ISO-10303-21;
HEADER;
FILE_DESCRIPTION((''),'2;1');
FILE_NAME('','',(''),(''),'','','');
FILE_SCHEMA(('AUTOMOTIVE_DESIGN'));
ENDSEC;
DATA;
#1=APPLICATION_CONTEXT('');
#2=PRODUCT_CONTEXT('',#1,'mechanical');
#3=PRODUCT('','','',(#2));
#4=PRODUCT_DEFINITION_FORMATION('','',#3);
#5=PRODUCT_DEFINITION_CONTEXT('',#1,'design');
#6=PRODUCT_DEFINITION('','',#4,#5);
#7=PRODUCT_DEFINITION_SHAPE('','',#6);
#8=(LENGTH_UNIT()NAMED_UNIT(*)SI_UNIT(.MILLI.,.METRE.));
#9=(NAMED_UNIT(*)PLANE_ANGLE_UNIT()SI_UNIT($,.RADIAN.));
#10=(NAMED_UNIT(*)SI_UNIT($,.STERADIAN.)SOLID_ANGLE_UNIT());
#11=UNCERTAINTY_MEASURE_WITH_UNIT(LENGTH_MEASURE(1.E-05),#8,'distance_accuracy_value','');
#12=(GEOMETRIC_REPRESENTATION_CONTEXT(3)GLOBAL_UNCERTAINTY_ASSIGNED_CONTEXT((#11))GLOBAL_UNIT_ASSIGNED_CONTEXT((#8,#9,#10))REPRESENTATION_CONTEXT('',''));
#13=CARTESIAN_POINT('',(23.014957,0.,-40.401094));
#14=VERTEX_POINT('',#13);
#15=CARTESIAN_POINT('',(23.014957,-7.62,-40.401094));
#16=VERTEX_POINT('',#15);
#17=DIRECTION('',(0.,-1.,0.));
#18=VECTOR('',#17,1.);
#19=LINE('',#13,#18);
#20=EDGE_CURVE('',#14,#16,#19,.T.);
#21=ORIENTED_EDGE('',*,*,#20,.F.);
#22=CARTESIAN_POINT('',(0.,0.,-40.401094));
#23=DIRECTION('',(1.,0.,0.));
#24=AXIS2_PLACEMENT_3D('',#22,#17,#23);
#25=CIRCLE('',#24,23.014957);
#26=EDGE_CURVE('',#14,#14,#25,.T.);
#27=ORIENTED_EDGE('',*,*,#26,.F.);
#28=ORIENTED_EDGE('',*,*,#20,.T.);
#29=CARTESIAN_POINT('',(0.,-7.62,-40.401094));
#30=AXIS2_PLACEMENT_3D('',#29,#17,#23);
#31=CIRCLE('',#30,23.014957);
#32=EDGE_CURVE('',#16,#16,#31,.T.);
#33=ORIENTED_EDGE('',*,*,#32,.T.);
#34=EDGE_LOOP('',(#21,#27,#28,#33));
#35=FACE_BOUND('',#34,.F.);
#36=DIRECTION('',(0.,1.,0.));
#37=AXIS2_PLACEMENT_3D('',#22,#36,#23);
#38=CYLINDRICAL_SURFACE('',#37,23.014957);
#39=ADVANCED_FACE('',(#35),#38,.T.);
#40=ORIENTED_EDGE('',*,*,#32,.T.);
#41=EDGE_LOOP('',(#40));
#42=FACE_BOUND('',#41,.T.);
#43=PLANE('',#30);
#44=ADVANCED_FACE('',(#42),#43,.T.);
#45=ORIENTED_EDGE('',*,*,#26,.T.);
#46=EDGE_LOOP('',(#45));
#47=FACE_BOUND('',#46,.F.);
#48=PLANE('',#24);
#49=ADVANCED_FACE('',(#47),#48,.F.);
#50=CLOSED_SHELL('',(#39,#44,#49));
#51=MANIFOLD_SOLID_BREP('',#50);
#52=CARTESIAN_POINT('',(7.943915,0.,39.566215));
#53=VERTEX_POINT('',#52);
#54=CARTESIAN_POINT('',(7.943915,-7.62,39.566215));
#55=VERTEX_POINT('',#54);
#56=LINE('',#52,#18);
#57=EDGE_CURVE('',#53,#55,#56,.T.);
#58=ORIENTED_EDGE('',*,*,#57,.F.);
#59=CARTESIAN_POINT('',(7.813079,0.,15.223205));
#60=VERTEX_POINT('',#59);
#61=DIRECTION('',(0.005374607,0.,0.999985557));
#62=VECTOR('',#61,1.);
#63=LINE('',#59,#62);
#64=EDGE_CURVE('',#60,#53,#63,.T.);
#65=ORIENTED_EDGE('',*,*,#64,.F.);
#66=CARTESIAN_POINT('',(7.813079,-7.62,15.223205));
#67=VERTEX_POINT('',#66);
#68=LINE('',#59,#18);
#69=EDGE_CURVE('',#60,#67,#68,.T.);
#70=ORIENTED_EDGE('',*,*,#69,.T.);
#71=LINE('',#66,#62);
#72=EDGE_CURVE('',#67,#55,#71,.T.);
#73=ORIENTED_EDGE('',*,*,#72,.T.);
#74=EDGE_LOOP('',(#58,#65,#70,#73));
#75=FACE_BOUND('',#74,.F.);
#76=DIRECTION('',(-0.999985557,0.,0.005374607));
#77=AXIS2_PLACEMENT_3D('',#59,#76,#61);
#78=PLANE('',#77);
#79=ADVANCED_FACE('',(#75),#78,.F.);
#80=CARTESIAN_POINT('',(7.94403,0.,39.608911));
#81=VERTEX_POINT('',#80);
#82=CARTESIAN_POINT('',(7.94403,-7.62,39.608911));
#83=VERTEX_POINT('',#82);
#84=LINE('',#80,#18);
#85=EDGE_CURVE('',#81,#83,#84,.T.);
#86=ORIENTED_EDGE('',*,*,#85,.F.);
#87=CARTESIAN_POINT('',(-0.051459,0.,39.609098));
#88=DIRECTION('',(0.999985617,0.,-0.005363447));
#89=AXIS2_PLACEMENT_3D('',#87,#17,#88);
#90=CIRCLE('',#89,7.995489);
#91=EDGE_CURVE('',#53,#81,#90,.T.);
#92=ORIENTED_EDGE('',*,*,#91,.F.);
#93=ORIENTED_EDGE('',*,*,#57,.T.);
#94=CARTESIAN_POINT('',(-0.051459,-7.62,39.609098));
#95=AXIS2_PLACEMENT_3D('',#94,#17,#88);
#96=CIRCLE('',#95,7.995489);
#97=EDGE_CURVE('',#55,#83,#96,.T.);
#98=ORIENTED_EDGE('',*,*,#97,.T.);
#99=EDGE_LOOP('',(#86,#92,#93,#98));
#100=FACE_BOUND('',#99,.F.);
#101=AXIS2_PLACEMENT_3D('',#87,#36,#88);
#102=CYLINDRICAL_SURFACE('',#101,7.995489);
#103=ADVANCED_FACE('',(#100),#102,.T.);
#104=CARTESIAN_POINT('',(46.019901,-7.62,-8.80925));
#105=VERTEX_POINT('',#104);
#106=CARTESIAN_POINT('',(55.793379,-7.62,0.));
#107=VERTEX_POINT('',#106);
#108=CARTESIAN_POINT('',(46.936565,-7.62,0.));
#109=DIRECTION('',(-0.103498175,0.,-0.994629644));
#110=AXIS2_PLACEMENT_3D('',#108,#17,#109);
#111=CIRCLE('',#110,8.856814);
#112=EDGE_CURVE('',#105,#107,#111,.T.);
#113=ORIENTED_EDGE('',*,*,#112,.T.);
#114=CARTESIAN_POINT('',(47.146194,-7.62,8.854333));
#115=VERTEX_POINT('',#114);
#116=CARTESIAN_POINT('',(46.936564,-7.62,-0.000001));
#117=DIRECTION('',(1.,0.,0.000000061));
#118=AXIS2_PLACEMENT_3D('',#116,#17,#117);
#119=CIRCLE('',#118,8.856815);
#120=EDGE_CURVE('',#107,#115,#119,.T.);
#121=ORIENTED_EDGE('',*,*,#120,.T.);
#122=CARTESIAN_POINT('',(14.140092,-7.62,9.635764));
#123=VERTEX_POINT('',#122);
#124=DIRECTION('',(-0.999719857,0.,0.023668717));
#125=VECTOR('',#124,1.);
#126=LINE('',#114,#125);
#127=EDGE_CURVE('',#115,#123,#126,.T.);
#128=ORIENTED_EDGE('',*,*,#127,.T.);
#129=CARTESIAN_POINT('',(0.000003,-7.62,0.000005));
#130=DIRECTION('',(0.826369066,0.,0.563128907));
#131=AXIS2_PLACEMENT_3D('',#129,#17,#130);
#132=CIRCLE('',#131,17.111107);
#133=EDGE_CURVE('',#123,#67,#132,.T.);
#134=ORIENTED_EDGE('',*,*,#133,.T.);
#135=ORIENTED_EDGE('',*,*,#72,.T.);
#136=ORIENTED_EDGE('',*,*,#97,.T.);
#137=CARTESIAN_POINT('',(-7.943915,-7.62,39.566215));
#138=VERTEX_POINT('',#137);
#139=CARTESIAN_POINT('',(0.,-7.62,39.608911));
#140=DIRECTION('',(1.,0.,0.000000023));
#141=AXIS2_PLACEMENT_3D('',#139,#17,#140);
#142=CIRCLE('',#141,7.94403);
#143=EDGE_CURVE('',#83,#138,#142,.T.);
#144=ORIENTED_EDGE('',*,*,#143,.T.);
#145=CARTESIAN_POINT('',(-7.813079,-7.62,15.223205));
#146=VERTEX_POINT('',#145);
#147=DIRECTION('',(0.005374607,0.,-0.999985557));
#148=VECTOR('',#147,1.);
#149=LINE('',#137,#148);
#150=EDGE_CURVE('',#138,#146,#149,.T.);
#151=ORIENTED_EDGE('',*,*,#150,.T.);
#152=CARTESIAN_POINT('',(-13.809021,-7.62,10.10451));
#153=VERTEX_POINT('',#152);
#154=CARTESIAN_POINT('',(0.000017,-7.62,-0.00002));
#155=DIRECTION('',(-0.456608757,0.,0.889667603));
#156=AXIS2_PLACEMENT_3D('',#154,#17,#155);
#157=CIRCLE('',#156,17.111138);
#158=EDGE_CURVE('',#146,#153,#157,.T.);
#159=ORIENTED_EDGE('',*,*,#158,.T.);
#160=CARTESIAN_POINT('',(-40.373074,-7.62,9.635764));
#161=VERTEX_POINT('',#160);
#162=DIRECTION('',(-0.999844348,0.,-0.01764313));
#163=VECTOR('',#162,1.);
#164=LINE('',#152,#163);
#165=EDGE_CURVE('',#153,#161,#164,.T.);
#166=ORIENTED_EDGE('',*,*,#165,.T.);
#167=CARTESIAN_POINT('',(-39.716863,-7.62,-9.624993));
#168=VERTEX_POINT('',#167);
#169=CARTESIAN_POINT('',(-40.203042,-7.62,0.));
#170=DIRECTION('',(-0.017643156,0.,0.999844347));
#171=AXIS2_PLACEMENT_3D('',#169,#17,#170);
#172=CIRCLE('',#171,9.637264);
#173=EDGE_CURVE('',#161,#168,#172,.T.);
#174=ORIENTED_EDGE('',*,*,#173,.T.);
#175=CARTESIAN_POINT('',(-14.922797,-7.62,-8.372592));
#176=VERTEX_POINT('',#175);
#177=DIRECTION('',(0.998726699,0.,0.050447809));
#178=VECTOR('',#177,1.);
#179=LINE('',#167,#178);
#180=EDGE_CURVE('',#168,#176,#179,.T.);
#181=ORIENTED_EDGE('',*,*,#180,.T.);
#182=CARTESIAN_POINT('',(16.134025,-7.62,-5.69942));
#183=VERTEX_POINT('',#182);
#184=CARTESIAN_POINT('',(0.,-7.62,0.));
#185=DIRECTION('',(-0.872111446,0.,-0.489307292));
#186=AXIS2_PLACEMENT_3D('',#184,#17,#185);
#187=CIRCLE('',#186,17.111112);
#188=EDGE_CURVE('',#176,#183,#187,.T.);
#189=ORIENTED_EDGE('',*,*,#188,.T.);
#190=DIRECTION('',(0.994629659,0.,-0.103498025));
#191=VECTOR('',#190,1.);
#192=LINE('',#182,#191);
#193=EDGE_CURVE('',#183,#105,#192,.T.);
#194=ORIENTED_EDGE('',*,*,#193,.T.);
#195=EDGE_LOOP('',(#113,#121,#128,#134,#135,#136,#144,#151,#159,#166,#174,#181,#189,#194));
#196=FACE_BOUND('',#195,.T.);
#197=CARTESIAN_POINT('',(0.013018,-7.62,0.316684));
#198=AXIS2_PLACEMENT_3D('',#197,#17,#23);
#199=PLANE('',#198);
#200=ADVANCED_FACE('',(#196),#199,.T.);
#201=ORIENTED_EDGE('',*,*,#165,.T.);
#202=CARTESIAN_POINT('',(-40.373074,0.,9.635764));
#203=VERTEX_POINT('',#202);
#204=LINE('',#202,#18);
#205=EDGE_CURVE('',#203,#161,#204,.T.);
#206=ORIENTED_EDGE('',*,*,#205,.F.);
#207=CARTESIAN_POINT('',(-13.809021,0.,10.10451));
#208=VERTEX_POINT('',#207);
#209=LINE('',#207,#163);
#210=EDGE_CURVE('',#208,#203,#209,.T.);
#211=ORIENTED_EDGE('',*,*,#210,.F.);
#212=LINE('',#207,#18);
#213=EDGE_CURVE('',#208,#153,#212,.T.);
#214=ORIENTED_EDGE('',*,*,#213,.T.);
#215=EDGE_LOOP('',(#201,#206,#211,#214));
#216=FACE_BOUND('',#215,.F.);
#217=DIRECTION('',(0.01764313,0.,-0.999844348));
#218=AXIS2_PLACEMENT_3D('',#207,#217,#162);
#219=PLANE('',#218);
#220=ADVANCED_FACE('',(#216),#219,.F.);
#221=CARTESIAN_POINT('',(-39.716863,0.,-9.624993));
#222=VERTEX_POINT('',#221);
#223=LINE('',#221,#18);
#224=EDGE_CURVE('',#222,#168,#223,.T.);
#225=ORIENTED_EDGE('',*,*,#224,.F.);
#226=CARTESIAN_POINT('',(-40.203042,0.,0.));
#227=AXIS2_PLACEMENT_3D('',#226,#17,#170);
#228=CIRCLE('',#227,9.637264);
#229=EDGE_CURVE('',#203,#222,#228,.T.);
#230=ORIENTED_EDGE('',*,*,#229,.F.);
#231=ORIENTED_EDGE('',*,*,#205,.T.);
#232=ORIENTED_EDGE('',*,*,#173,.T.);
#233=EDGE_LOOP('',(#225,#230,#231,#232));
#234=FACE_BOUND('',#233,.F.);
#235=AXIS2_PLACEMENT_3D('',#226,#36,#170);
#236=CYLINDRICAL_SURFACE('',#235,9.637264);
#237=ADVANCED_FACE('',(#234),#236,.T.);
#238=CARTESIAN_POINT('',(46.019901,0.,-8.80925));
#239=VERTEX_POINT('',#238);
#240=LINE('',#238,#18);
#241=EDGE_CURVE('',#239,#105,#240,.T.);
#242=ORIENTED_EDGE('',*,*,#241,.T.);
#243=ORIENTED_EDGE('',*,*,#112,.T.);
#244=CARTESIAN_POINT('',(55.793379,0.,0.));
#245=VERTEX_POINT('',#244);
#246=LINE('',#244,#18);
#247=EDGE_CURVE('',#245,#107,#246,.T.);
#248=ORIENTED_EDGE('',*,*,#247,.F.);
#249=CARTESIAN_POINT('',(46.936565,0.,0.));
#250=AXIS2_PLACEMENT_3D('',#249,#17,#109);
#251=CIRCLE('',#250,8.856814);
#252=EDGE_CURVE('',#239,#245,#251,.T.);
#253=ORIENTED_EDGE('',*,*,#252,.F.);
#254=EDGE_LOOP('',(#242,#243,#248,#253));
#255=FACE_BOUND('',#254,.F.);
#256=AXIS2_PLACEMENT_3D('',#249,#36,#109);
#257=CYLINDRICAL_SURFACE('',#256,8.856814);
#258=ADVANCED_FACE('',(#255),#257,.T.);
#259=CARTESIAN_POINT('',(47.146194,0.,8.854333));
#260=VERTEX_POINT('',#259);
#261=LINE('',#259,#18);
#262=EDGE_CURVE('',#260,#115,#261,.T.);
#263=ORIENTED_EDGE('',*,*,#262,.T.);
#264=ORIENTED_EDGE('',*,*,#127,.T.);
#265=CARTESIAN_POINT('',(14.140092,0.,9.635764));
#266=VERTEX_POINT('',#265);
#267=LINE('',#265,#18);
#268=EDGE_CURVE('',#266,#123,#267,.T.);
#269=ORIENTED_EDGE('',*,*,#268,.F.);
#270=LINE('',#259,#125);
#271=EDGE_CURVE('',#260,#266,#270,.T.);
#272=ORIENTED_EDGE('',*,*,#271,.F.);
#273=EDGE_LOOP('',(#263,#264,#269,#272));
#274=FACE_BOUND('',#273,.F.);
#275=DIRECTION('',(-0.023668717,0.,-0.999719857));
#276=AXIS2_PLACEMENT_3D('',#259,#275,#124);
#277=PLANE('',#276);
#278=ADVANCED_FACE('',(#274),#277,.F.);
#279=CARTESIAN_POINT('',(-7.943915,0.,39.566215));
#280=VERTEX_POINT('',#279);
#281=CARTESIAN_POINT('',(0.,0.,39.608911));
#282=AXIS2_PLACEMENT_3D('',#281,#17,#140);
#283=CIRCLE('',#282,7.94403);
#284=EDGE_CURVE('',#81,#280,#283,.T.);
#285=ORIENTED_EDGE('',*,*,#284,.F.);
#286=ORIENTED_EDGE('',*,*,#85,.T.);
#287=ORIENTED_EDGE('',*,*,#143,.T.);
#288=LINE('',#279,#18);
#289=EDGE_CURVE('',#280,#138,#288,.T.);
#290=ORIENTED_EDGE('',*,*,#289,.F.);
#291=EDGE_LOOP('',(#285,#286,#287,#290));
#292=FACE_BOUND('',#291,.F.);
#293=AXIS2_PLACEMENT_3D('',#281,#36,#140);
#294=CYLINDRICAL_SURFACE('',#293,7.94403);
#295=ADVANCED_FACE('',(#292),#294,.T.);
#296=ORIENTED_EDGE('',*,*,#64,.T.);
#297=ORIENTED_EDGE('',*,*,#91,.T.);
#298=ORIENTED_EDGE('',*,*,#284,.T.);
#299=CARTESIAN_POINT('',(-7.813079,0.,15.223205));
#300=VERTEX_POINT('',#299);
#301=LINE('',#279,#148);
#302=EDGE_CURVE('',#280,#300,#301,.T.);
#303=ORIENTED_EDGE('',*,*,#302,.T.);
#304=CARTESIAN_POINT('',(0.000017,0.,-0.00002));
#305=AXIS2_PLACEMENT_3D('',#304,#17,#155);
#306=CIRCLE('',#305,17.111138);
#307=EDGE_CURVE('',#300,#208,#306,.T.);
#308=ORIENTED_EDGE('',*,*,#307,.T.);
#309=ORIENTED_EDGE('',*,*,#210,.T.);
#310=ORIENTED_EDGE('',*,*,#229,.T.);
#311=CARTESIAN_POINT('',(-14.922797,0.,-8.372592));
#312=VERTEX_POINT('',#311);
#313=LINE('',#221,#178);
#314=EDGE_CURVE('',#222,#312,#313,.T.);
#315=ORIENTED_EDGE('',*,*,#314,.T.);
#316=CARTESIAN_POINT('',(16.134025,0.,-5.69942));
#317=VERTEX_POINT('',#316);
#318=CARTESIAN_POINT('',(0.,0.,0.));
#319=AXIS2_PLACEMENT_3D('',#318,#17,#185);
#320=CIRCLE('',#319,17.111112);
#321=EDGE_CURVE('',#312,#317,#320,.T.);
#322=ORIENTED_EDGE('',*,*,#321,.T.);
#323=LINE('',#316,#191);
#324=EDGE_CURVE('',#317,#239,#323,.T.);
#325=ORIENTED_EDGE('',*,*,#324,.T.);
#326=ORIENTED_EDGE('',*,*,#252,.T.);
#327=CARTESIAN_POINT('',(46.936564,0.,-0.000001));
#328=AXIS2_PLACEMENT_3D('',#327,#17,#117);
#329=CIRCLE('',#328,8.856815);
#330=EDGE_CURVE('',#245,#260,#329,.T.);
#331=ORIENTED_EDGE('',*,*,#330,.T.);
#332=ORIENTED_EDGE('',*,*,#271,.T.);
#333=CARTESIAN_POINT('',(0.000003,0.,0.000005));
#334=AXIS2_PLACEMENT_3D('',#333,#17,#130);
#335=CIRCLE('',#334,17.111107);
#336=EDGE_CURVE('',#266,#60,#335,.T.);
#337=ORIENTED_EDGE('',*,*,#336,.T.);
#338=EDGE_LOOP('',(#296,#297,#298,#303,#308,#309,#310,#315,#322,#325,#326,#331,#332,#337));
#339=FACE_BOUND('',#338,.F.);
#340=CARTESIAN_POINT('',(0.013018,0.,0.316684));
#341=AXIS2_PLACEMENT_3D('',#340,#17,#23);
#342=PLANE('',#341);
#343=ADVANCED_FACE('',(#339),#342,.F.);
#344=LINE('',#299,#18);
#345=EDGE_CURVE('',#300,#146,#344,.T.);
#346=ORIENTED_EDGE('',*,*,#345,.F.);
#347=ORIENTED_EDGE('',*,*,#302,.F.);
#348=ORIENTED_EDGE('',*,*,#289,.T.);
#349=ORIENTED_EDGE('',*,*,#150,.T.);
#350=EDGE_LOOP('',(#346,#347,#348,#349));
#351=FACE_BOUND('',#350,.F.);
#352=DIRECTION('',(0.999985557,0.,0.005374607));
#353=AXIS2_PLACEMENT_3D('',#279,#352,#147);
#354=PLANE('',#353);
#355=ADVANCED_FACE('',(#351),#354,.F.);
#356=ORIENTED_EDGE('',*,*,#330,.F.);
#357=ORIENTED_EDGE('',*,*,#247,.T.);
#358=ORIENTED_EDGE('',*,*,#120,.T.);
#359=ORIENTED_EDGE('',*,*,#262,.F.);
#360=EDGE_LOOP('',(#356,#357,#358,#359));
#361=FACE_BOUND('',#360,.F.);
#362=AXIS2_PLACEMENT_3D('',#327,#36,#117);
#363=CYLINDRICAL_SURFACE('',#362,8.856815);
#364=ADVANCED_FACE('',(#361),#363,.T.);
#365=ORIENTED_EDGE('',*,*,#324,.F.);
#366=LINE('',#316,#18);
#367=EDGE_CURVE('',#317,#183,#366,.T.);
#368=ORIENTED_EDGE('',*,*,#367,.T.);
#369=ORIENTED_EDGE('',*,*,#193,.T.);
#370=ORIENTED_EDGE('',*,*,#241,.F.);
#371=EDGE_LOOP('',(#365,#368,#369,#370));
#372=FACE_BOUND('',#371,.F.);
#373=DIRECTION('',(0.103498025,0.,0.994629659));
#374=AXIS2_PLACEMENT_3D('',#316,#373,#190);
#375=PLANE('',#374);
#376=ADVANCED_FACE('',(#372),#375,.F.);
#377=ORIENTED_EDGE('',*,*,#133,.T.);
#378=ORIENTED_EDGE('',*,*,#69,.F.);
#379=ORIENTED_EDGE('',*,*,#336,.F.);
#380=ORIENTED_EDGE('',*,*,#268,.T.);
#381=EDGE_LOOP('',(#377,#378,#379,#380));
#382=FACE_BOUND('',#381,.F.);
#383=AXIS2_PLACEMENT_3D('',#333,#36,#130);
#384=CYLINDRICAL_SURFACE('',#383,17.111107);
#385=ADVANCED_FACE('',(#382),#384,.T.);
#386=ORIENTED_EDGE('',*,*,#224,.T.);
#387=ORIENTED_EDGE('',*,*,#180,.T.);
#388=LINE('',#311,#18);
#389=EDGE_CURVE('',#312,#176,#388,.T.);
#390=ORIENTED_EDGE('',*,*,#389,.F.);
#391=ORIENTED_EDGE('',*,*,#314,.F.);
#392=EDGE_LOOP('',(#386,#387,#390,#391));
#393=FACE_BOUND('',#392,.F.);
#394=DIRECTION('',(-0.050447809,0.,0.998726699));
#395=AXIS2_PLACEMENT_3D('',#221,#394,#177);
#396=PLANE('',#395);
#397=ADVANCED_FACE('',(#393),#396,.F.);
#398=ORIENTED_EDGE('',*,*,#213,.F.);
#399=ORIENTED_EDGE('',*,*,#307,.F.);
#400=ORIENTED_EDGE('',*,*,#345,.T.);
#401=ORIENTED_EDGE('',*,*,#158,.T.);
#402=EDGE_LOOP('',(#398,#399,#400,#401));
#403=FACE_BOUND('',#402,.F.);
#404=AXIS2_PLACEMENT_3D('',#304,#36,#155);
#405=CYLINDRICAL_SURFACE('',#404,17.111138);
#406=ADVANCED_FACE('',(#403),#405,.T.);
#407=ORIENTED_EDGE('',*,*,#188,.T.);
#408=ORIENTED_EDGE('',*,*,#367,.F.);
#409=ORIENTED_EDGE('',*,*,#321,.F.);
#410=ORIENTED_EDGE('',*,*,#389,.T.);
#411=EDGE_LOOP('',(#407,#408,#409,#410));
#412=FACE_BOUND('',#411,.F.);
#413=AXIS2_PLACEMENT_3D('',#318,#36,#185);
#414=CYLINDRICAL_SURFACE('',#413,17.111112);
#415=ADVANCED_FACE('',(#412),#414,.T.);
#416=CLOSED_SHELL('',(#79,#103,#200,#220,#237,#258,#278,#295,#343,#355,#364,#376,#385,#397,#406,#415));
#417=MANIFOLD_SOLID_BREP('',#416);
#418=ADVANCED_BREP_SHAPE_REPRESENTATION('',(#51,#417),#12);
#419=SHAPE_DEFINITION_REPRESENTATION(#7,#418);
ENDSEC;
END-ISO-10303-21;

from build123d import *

# Parameters (mm, degrees)
F0_R     = 23.014957
F1_DEPTH = 7.62


with BuildPart() as f1:
    # F0 (on Front) → F1 (new body)
    with BuildSketch(Plane.XZ):
        with BuildLine():
            ThreePointArc((16.134025, -5.69942), (16.865072, -2.891284), (17.111112, 0))
            ThreePointArc((17.111112, 0), (16.351496, 5.041699), (14.140092, 9.635764))
            ThreePointArc((14.140092, 9.635764), (11.326531, 12.82575), (7.813079, 15.223205))
            ThreePointArc((7.813079, 15.223205), (0, 17.111112), (-7.813079, 15.223205))
            ThreePointArc((-7.813079, 15.223205), (-11.109863, 13.013881), (-13.809021, 10.10451))
            ThreePointArc((-13.809021, 10.10451), (-17.08011, 1.029568), (-14.922797, -8.372592))
            ThreePointArc((-14.922797, -8.372592), (1.467389, -17.048077), (16.134025, -5.69942))
        make_face()
        with BuildLine():
            ThreePointArc((14.140092, 9.635764), (16.351496, 5.041699), (17.111112, 0))
            ThreePointArc((17.111112, 0), (16.865072, -2.891284), (16.134025, -5.69942))
            Line((16.134025, -5.69942), (46.019901, -8.80925))
            ThreePointArc((46.019901, -8.80925), (38.0977, 0.563597), (47.146194, 8.854333))
            Line((47.146194, 8.854333), (14.140092, 9.635764))
        make_face()
        with BuildLine():
            ThreePointArc((-7.813079, 15.223205), (0, 17.111112), (7.813079, 15.223205))
            Line((7.813079, 15.223205), (7.943915, 39.566215))
            ThreePointArc((7.943915, 39.566215), (0, 31.664881), (-7.943915, 39.566215))
            Line((-7.943915, 39.566215), (-7.813079, 15.223205))
        make_face()
        with BuildLine():
            ThreePointArc((55.793379, 0), (53.272959, 6.188155), (47.146194, 8.854333))
            ThreePointArc((47.146194, 8.854333), (38.0977, 0.563597), (46.019901, -8.80925))
            ThreePointArc((46.019901, -8.80925), (52.866339, -6.578825), (55.793379, 0))
        make_face()
        with BuildLine():
            Line((-39.716863, -9.624993), (-14.922797, -8.372592))
            ThreePointArc((-14.922797, -8.372592), (-17.08011, 1.029568), (-13.809021, 10.10451))
            Line((-13.809021, 10.10451), (-40.373074, 9.635764))
            ThreePointArc((-40.373074, 9.635764), (-33.44885, 6.874427), (-30.565778, 0))
            ThreePointArc((-30.565778, 0), (-33.218692, -6.64046), (-39.716863, -9.624993))
        make_face()
        with BuildLine():
            ThreePointArc((-7.943915, 39.566215), (0, 31.664881), (7.943915, 39.566215))
            ThreePointArc((7.943915, 39.566215), (7.944001, 39.587563), (7.94403, 39.608911))
            ThreePointArc((7.94403, 39.608911), (-0.021348, 47.552912), (-7.943915, 39.566215))
        make_face()
        with BuildLine():
            ThreePointArc((-40.373074, 9.635764), (-49.834718, -0.328149), (-39.716863, -9.624993))
            ThreePointArc((-39.716863, -9.624993), (-33.218692, -6.64046), (-30.565778, 0))
            ThreePointArc((-30.565778, 0), (-33.44885, 6.874427), (-40.373074, 9.635764))
        make_face()
        with Locations((0, -40.401094)):
            Circle(F0_R)
    extrude(amount=F1_DEPTH)


solid = f1.part
